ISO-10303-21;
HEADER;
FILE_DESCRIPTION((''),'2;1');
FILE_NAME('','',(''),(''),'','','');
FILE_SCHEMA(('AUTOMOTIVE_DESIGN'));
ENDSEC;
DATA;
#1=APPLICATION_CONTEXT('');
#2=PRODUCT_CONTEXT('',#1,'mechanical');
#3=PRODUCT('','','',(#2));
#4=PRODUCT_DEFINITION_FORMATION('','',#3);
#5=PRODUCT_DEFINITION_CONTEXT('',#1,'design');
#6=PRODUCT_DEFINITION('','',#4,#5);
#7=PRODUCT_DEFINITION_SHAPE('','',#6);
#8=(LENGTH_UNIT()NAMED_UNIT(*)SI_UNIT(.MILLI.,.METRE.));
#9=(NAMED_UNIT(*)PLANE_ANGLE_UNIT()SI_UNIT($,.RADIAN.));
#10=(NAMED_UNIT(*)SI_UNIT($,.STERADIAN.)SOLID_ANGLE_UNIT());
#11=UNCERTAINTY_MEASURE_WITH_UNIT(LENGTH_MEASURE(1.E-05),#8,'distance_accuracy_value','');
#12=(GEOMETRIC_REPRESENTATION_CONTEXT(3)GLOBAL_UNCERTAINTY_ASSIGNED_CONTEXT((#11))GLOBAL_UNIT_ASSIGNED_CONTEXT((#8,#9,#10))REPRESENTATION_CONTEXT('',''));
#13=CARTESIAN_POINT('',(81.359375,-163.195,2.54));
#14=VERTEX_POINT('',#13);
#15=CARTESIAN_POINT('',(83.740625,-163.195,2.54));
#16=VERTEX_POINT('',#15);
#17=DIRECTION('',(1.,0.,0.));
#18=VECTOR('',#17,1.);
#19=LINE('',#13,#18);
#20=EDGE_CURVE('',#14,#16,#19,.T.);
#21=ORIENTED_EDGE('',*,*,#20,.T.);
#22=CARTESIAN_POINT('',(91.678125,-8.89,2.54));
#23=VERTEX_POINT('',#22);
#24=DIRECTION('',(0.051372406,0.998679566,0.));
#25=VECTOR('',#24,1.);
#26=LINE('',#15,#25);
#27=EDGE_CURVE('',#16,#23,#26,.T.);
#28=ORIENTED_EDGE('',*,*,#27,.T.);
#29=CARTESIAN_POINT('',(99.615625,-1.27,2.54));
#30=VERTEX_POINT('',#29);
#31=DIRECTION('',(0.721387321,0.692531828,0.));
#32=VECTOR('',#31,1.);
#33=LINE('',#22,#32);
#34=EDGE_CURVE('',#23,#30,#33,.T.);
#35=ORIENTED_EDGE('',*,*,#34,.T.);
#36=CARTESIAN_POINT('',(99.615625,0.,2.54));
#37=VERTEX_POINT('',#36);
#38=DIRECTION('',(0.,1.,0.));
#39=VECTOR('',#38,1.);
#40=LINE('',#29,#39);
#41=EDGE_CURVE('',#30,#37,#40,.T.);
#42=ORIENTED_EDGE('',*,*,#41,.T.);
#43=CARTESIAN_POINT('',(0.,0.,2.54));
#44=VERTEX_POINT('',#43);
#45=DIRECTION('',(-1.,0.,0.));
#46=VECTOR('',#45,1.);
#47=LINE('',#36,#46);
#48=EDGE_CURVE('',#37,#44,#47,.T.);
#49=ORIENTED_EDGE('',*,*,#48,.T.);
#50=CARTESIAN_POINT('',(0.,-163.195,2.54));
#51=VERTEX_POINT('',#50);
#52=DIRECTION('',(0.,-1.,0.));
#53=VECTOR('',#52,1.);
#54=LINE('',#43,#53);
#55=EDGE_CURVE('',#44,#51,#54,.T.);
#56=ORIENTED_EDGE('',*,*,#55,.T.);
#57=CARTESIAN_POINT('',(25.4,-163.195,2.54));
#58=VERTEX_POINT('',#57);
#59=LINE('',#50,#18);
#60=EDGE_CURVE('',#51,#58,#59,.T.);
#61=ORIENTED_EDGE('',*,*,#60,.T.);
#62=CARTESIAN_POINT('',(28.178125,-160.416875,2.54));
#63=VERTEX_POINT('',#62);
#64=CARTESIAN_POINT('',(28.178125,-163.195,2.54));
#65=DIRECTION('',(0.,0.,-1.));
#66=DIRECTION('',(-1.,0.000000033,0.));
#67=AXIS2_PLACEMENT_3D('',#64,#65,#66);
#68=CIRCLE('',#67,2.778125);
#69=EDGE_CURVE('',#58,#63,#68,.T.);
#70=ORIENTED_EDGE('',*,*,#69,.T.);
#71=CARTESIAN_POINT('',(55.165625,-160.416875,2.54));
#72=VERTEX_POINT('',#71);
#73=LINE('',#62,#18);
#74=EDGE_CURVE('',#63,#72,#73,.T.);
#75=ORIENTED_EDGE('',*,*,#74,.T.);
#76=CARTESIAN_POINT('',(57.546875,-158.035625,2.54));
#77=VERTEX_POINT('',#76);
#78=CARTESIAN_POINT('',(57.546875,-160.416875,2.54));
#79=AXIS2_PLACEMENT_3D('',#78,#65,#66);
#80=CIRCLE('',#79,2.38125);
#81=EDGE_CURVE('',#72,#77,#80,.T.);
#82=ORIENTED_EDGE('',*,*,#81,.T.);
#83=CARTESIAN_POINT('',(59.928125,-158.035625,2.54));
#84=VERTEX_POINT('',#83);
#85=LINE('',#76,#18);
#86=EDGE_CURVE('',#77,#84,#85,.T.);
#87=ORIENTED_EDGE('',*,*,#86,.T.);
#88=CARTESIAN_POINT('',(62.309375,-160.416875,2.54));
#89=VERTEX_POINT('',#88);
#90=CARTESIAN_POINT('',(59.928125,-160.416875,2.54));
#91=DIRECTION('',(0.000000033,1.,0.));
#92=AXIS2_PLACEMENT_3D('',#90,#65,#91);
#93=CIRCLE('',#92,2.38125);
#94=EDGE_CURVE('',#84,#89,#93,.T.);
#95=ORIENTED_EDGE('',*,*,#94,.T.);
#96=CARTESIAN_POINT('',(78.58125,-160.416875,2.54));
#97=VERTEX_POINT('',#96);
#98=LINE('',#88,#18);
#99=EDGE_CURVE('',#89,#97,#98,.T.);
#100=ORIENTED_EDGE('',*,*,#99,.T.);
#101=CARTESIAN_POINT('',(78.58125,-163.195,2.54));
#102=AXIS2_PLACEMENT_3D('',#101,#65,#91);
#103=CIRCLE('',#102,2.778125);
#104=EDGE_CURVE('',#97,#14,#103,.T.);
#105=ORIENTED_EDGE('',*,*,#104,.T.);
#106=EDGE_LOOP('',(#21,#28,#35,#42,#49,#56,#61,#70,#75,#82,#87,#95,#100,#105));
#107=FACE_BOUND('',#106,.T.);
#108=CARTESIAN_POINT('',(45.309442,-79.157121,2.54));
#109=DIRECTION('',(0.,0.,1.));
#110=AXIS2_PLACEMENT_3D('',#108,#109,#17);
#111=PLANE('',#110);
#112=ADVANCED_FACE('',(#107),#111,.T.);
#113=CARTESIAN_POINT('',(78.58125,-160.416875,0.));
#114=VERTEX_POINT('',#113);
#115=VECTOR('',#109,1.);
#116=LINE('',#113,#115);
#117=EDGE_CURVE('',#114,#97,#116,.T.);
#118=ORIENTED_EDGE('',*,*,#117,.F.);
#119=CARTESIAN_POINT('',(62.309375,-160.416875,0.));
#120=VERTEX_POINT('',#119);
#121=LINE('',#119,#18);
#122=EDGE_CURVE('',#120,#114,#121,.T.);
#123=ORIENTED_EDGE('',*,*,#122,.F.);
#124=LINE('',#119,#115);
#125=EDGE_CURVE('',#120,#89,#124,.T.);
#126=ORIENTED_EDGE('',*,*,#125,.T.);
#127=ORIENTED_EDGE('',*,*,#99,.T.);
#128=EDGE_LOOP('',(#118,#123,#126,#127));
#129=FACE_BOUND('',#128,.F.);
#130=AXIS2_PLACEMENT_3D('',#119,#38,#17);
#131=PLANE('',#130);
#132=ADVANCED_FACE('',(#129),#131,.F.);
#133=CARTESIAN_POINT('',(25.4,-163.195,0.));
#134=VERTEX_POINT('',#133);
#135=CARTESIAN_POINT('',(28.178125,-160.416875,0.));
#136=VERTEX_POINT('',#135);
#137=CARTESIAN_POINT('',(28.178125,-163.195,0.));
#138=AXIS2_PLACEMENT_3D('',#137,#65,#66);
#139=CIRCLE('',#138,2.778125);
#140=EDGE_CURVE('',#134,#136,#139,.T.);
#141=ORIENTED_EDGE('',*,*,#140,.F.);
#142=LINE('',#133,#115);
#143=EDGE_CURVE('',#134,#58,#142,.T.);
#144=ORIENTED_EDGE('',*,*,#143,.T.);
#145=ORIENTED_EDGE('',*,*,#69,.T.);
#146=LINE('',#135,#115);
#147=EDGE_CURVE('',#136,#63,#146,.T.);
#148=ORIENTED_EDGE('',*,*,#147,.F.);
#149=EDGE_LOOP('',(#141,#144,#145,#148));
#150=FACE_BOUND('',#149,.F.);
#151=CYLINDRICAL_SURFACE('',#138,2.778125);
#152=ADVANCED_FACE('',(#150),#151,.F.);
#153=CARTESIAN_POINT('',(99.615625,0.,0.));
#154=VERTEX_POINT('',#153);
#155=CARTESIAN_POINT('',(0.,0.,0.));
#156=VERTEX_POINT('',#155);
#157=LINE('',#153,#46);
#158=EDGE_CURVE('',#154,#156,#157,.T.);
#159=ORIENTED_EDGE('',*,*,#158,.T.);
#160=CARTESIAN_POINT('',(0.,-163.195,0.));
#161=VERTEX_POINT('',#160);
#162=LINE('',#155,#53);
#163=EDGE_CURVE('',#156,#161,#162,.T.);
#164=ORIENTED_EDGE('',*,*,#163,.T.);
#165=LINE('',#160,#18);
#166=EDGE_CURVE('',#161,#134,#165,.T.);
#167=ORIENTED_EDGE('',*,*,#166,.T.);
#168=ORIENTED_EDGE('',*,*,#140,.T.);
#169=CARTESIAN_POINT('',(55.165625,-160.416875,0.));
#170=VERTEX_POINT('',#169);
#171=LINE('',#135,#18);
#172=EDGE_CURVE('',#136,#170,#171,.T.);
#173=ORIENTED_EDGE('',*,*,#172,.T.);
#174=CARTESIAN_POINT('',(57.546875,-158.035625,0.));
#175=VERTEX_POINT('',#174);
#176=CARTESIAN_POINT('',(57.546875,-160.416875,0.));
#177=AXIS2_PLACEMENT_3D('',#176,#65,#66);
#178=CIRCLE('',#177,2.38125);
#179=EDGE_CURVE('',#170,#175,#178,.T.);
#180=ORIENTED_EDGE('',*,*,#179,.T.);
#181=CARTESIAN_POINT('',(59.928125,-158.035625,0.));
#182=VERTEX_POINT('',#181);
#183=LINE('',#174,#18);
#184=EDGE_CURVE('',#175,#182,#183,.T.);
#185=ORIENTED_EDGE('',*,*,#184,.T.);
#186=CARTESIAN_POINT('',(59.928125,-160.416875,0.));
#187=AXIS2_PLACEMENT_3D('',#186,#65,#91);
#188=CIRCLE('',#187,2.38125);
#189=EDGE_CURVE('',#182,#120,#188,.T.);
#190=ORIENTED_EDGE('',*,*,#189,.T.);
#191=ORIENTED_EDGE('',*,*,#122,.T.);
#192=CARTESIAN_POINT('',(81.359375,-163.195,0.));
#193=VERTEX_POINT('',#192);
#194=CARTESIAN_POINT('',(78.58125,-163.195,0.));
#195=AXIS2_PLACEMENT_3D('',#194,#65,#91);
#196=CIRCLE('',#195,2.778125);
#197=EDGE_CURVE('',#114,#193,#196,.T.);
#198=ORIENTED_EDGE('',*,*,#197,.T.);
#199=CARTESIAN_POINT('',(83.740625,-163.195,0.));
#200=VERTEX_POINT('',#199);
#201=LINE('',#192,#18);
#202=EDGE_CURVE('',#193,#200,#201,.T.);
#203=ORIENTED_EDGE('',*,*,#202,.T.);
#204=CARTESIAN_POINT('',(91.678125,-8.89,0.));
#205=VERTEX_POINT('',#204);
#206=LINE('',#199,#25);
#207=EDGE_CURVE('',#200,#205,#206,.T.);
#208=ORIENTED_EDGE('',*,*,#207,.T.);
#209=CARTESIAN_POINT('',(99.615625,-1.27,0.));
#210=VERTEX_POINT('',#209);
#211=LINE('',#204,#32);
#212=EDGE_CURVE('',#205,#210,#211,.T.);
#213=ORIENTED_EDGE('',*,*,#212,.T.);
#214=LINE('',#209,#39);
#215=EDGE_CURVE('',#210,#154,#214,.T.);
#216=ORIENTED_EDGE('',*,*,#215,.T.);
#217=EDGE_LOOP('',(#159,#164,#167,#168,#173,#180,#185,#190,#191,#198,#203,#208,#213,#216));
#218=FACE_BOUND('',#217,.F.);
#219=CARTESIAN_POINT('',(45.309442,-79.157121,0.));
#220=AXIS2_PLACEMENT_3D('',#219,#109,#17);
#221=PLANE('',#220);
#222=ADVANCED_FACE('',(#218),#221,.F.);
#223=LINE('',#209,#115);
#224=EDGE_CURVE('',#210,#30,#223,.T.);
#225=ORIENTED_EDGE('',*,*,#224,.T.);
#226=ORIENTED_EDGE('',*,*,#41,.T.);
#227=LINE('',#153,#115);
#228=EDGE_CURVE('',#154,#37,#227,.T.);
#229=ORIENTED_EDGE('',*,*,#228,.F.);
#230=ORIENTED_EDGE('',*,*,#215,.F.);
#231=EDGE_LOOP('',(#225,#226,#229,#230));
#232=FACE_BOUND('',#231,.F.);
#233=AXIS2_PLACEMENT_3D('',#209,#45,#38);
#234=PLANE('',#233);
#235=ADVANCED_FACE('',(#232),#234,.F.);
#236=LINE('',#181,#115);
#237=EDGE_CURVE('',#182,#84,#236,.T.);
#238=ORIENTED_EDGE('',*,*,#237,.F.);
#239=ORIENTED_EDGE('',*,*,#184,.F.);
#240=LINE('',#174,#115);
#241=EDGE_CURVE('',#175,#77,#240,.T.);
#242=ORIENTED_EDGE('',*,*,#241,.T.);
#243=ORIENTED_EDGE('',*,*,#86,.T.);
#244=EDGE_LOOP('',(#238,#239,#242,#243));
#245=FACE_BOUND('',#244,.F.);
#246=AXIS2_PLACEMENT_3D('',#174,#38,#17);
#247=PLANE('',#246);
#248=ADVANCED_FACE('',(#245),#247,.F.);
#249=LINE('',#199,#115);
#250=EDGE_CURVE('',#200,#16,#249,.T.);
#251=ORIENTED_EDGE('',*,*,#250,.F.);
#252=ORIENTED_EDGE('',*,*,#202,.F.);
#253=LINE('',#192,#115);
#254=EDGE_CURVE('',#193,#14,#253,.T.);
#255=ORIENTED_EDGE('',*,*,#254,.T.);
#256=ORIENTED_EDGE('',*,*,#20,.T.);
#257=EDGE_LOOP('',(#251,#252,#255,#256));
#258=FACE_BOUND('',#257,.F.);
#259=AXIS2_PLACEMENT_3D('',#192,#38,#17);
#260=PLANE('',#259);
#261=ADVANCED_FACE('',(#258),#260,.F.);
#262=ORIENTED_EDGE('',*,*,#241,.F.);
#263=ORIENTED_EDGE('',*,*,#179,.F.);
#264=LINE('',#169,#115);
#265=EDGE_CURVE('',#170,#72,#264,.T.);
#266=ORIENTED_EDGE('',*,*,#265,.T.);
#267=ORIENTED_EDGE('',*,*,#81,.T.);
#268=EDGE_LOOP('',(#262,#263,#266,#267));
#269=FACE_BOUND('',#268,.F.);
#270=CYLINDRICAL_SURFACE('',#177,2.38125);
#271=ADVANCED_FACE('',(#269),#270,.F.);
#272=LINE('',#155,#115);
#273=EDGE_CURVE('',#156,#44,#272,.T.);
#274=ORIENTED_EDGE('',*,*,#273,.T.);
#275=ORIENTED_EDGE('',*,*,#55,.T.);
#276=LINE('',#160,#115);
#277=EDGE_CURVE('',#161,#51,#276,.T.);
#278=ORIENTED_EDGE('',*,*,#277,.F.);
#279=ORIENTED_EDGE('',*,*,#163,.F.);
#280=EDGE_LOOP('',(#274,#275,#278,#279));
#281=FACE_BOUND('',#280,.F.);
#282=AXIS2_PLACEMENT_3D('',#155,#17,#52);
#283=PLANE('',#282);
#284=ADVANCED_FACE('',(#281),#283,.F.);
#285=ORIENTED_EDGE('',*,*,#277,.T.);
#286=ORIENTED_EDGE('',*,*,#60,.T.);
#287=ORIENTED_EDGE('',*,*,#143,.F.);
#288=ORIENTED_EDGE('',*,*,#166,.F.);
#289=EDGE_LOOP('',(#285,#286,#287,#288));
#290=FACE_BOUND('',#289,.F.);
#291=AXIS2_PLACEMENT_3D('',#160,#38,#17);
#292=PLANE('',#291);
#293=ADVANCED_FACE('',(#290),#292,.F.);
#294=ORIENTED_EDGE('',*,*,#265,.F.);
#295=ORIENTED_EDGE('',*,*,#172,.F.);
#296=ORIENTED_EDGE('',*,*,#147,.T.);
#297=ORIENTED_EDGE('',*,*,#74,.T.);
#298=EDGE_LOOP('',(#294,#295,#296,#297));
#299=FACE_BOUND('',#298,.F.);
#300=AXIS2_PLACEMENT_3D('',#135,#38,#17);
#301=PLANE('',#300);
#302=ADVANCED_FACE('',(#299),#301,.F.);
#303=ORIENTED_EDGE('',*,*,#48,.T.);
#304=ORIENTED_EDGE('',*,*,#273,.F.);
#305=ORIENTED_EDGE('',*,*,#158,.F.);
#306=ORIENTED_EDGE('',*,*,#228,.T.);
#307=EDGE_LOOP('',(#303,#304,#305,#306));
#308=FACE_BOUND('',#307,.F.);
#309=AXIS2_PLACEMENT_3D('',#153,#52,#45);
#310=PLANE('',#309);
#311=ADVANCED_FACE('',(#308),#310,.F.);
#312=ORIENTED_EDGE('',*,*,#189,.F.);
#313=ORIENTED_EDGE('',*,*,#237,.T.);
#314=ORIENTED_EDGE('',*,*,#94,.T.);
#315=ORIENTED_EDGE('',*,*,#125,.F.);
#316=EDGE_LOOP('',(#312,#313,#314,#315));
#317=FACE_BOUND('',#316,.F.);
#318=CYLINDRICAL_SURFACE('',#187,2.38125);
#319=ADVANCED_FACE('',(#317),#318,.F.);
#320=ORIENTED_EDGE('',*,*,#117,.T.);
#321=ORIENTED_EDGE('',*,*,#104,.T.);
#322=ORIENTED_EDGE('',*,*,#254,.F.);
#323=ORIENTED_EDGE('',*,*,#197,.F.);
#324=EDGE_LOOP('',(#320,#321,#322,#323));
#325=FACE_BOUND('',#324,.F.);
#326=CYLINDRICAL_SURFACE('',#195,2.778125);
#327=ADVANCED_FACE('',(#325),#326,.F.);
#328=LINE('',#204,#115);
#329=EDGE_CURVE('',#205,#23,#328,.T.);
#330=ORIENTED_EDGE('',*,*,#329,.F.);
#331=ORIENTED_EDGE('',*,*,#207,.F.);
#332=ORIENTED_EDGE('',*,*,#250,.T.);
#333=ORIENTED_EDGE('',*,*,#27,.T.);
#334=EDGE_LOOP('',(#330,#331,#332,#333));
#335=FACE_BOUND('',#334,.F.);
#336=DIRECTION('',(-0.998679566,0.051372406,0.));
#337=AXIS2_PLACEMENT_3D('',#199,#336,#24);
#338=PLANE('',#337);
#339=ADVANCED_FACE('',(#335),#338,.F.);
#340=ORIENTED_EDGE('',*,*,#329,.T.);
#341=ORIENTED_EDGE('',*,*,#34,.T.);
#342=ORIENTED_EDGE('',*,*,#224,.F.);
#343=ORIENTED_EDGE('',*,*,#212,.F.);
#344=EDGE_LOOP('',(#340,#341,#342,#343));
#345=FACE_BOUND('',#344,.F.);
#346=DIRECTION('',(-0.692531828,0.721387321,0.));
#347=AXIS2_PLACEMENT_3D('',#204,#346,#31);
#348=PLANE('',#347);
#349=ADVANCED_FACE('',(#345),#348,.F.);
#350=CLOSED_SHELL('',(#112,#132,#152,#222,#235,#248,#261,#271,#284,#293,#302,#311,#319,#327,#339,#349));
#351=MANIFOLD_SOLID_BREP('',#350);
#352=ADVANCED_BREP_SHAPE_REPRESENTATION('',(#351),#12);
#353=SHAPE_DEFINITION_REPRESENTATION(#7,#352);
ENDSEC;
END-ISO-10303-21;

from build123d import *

# Parameters (mm, degrees)
F1_DEPTH = 2.54


with BuildPart() as f1:
    # F0 (on Top) → F1 (new body)
    with BuildSketch(Plane.XY):
        with BuildLine():
            Line((99.615625, 0), (0, 0))
            Line((0, 0), (0, -163.195))
            Line((0, -163.195), (25.4, -163.195))
            ThreePointArc((25.4, -163.195), (26.213694, -161.230569), (28.178125, -160.416875))
            Line((28.178125, -160.416875), (55.165625, -160.416875))
            ThreePointArc((55.165625, -160.416875), (55.863077, -158.733077), (57.546875, -158.035625))
            Line((57.546875, -158.035625), (59.928125, -158.035625))
            ThreePointArc((59.928125, -158.035625), (61.611923, -158.733077), (62.309375, -160.416875))
            Line((62.309375, -160.416875), (78.58125, -160.416875))
            ThreePointArc((78.58125, -160.416875), (80.545681, -161.230569), (81.359375, -163.195))
            Line((81.359375, -163.195), (83.740625, -163.195))
            Line((83.740625, -163.195), (91.678125, -8.89))
            Line((91.678125, -8.89), (99.615625, -1.27))
            Line((99.615625, -1.27), (99.615625, 0))
        make_face()
    extrude(amount=F1_DEPTH)


solid = f1.part
